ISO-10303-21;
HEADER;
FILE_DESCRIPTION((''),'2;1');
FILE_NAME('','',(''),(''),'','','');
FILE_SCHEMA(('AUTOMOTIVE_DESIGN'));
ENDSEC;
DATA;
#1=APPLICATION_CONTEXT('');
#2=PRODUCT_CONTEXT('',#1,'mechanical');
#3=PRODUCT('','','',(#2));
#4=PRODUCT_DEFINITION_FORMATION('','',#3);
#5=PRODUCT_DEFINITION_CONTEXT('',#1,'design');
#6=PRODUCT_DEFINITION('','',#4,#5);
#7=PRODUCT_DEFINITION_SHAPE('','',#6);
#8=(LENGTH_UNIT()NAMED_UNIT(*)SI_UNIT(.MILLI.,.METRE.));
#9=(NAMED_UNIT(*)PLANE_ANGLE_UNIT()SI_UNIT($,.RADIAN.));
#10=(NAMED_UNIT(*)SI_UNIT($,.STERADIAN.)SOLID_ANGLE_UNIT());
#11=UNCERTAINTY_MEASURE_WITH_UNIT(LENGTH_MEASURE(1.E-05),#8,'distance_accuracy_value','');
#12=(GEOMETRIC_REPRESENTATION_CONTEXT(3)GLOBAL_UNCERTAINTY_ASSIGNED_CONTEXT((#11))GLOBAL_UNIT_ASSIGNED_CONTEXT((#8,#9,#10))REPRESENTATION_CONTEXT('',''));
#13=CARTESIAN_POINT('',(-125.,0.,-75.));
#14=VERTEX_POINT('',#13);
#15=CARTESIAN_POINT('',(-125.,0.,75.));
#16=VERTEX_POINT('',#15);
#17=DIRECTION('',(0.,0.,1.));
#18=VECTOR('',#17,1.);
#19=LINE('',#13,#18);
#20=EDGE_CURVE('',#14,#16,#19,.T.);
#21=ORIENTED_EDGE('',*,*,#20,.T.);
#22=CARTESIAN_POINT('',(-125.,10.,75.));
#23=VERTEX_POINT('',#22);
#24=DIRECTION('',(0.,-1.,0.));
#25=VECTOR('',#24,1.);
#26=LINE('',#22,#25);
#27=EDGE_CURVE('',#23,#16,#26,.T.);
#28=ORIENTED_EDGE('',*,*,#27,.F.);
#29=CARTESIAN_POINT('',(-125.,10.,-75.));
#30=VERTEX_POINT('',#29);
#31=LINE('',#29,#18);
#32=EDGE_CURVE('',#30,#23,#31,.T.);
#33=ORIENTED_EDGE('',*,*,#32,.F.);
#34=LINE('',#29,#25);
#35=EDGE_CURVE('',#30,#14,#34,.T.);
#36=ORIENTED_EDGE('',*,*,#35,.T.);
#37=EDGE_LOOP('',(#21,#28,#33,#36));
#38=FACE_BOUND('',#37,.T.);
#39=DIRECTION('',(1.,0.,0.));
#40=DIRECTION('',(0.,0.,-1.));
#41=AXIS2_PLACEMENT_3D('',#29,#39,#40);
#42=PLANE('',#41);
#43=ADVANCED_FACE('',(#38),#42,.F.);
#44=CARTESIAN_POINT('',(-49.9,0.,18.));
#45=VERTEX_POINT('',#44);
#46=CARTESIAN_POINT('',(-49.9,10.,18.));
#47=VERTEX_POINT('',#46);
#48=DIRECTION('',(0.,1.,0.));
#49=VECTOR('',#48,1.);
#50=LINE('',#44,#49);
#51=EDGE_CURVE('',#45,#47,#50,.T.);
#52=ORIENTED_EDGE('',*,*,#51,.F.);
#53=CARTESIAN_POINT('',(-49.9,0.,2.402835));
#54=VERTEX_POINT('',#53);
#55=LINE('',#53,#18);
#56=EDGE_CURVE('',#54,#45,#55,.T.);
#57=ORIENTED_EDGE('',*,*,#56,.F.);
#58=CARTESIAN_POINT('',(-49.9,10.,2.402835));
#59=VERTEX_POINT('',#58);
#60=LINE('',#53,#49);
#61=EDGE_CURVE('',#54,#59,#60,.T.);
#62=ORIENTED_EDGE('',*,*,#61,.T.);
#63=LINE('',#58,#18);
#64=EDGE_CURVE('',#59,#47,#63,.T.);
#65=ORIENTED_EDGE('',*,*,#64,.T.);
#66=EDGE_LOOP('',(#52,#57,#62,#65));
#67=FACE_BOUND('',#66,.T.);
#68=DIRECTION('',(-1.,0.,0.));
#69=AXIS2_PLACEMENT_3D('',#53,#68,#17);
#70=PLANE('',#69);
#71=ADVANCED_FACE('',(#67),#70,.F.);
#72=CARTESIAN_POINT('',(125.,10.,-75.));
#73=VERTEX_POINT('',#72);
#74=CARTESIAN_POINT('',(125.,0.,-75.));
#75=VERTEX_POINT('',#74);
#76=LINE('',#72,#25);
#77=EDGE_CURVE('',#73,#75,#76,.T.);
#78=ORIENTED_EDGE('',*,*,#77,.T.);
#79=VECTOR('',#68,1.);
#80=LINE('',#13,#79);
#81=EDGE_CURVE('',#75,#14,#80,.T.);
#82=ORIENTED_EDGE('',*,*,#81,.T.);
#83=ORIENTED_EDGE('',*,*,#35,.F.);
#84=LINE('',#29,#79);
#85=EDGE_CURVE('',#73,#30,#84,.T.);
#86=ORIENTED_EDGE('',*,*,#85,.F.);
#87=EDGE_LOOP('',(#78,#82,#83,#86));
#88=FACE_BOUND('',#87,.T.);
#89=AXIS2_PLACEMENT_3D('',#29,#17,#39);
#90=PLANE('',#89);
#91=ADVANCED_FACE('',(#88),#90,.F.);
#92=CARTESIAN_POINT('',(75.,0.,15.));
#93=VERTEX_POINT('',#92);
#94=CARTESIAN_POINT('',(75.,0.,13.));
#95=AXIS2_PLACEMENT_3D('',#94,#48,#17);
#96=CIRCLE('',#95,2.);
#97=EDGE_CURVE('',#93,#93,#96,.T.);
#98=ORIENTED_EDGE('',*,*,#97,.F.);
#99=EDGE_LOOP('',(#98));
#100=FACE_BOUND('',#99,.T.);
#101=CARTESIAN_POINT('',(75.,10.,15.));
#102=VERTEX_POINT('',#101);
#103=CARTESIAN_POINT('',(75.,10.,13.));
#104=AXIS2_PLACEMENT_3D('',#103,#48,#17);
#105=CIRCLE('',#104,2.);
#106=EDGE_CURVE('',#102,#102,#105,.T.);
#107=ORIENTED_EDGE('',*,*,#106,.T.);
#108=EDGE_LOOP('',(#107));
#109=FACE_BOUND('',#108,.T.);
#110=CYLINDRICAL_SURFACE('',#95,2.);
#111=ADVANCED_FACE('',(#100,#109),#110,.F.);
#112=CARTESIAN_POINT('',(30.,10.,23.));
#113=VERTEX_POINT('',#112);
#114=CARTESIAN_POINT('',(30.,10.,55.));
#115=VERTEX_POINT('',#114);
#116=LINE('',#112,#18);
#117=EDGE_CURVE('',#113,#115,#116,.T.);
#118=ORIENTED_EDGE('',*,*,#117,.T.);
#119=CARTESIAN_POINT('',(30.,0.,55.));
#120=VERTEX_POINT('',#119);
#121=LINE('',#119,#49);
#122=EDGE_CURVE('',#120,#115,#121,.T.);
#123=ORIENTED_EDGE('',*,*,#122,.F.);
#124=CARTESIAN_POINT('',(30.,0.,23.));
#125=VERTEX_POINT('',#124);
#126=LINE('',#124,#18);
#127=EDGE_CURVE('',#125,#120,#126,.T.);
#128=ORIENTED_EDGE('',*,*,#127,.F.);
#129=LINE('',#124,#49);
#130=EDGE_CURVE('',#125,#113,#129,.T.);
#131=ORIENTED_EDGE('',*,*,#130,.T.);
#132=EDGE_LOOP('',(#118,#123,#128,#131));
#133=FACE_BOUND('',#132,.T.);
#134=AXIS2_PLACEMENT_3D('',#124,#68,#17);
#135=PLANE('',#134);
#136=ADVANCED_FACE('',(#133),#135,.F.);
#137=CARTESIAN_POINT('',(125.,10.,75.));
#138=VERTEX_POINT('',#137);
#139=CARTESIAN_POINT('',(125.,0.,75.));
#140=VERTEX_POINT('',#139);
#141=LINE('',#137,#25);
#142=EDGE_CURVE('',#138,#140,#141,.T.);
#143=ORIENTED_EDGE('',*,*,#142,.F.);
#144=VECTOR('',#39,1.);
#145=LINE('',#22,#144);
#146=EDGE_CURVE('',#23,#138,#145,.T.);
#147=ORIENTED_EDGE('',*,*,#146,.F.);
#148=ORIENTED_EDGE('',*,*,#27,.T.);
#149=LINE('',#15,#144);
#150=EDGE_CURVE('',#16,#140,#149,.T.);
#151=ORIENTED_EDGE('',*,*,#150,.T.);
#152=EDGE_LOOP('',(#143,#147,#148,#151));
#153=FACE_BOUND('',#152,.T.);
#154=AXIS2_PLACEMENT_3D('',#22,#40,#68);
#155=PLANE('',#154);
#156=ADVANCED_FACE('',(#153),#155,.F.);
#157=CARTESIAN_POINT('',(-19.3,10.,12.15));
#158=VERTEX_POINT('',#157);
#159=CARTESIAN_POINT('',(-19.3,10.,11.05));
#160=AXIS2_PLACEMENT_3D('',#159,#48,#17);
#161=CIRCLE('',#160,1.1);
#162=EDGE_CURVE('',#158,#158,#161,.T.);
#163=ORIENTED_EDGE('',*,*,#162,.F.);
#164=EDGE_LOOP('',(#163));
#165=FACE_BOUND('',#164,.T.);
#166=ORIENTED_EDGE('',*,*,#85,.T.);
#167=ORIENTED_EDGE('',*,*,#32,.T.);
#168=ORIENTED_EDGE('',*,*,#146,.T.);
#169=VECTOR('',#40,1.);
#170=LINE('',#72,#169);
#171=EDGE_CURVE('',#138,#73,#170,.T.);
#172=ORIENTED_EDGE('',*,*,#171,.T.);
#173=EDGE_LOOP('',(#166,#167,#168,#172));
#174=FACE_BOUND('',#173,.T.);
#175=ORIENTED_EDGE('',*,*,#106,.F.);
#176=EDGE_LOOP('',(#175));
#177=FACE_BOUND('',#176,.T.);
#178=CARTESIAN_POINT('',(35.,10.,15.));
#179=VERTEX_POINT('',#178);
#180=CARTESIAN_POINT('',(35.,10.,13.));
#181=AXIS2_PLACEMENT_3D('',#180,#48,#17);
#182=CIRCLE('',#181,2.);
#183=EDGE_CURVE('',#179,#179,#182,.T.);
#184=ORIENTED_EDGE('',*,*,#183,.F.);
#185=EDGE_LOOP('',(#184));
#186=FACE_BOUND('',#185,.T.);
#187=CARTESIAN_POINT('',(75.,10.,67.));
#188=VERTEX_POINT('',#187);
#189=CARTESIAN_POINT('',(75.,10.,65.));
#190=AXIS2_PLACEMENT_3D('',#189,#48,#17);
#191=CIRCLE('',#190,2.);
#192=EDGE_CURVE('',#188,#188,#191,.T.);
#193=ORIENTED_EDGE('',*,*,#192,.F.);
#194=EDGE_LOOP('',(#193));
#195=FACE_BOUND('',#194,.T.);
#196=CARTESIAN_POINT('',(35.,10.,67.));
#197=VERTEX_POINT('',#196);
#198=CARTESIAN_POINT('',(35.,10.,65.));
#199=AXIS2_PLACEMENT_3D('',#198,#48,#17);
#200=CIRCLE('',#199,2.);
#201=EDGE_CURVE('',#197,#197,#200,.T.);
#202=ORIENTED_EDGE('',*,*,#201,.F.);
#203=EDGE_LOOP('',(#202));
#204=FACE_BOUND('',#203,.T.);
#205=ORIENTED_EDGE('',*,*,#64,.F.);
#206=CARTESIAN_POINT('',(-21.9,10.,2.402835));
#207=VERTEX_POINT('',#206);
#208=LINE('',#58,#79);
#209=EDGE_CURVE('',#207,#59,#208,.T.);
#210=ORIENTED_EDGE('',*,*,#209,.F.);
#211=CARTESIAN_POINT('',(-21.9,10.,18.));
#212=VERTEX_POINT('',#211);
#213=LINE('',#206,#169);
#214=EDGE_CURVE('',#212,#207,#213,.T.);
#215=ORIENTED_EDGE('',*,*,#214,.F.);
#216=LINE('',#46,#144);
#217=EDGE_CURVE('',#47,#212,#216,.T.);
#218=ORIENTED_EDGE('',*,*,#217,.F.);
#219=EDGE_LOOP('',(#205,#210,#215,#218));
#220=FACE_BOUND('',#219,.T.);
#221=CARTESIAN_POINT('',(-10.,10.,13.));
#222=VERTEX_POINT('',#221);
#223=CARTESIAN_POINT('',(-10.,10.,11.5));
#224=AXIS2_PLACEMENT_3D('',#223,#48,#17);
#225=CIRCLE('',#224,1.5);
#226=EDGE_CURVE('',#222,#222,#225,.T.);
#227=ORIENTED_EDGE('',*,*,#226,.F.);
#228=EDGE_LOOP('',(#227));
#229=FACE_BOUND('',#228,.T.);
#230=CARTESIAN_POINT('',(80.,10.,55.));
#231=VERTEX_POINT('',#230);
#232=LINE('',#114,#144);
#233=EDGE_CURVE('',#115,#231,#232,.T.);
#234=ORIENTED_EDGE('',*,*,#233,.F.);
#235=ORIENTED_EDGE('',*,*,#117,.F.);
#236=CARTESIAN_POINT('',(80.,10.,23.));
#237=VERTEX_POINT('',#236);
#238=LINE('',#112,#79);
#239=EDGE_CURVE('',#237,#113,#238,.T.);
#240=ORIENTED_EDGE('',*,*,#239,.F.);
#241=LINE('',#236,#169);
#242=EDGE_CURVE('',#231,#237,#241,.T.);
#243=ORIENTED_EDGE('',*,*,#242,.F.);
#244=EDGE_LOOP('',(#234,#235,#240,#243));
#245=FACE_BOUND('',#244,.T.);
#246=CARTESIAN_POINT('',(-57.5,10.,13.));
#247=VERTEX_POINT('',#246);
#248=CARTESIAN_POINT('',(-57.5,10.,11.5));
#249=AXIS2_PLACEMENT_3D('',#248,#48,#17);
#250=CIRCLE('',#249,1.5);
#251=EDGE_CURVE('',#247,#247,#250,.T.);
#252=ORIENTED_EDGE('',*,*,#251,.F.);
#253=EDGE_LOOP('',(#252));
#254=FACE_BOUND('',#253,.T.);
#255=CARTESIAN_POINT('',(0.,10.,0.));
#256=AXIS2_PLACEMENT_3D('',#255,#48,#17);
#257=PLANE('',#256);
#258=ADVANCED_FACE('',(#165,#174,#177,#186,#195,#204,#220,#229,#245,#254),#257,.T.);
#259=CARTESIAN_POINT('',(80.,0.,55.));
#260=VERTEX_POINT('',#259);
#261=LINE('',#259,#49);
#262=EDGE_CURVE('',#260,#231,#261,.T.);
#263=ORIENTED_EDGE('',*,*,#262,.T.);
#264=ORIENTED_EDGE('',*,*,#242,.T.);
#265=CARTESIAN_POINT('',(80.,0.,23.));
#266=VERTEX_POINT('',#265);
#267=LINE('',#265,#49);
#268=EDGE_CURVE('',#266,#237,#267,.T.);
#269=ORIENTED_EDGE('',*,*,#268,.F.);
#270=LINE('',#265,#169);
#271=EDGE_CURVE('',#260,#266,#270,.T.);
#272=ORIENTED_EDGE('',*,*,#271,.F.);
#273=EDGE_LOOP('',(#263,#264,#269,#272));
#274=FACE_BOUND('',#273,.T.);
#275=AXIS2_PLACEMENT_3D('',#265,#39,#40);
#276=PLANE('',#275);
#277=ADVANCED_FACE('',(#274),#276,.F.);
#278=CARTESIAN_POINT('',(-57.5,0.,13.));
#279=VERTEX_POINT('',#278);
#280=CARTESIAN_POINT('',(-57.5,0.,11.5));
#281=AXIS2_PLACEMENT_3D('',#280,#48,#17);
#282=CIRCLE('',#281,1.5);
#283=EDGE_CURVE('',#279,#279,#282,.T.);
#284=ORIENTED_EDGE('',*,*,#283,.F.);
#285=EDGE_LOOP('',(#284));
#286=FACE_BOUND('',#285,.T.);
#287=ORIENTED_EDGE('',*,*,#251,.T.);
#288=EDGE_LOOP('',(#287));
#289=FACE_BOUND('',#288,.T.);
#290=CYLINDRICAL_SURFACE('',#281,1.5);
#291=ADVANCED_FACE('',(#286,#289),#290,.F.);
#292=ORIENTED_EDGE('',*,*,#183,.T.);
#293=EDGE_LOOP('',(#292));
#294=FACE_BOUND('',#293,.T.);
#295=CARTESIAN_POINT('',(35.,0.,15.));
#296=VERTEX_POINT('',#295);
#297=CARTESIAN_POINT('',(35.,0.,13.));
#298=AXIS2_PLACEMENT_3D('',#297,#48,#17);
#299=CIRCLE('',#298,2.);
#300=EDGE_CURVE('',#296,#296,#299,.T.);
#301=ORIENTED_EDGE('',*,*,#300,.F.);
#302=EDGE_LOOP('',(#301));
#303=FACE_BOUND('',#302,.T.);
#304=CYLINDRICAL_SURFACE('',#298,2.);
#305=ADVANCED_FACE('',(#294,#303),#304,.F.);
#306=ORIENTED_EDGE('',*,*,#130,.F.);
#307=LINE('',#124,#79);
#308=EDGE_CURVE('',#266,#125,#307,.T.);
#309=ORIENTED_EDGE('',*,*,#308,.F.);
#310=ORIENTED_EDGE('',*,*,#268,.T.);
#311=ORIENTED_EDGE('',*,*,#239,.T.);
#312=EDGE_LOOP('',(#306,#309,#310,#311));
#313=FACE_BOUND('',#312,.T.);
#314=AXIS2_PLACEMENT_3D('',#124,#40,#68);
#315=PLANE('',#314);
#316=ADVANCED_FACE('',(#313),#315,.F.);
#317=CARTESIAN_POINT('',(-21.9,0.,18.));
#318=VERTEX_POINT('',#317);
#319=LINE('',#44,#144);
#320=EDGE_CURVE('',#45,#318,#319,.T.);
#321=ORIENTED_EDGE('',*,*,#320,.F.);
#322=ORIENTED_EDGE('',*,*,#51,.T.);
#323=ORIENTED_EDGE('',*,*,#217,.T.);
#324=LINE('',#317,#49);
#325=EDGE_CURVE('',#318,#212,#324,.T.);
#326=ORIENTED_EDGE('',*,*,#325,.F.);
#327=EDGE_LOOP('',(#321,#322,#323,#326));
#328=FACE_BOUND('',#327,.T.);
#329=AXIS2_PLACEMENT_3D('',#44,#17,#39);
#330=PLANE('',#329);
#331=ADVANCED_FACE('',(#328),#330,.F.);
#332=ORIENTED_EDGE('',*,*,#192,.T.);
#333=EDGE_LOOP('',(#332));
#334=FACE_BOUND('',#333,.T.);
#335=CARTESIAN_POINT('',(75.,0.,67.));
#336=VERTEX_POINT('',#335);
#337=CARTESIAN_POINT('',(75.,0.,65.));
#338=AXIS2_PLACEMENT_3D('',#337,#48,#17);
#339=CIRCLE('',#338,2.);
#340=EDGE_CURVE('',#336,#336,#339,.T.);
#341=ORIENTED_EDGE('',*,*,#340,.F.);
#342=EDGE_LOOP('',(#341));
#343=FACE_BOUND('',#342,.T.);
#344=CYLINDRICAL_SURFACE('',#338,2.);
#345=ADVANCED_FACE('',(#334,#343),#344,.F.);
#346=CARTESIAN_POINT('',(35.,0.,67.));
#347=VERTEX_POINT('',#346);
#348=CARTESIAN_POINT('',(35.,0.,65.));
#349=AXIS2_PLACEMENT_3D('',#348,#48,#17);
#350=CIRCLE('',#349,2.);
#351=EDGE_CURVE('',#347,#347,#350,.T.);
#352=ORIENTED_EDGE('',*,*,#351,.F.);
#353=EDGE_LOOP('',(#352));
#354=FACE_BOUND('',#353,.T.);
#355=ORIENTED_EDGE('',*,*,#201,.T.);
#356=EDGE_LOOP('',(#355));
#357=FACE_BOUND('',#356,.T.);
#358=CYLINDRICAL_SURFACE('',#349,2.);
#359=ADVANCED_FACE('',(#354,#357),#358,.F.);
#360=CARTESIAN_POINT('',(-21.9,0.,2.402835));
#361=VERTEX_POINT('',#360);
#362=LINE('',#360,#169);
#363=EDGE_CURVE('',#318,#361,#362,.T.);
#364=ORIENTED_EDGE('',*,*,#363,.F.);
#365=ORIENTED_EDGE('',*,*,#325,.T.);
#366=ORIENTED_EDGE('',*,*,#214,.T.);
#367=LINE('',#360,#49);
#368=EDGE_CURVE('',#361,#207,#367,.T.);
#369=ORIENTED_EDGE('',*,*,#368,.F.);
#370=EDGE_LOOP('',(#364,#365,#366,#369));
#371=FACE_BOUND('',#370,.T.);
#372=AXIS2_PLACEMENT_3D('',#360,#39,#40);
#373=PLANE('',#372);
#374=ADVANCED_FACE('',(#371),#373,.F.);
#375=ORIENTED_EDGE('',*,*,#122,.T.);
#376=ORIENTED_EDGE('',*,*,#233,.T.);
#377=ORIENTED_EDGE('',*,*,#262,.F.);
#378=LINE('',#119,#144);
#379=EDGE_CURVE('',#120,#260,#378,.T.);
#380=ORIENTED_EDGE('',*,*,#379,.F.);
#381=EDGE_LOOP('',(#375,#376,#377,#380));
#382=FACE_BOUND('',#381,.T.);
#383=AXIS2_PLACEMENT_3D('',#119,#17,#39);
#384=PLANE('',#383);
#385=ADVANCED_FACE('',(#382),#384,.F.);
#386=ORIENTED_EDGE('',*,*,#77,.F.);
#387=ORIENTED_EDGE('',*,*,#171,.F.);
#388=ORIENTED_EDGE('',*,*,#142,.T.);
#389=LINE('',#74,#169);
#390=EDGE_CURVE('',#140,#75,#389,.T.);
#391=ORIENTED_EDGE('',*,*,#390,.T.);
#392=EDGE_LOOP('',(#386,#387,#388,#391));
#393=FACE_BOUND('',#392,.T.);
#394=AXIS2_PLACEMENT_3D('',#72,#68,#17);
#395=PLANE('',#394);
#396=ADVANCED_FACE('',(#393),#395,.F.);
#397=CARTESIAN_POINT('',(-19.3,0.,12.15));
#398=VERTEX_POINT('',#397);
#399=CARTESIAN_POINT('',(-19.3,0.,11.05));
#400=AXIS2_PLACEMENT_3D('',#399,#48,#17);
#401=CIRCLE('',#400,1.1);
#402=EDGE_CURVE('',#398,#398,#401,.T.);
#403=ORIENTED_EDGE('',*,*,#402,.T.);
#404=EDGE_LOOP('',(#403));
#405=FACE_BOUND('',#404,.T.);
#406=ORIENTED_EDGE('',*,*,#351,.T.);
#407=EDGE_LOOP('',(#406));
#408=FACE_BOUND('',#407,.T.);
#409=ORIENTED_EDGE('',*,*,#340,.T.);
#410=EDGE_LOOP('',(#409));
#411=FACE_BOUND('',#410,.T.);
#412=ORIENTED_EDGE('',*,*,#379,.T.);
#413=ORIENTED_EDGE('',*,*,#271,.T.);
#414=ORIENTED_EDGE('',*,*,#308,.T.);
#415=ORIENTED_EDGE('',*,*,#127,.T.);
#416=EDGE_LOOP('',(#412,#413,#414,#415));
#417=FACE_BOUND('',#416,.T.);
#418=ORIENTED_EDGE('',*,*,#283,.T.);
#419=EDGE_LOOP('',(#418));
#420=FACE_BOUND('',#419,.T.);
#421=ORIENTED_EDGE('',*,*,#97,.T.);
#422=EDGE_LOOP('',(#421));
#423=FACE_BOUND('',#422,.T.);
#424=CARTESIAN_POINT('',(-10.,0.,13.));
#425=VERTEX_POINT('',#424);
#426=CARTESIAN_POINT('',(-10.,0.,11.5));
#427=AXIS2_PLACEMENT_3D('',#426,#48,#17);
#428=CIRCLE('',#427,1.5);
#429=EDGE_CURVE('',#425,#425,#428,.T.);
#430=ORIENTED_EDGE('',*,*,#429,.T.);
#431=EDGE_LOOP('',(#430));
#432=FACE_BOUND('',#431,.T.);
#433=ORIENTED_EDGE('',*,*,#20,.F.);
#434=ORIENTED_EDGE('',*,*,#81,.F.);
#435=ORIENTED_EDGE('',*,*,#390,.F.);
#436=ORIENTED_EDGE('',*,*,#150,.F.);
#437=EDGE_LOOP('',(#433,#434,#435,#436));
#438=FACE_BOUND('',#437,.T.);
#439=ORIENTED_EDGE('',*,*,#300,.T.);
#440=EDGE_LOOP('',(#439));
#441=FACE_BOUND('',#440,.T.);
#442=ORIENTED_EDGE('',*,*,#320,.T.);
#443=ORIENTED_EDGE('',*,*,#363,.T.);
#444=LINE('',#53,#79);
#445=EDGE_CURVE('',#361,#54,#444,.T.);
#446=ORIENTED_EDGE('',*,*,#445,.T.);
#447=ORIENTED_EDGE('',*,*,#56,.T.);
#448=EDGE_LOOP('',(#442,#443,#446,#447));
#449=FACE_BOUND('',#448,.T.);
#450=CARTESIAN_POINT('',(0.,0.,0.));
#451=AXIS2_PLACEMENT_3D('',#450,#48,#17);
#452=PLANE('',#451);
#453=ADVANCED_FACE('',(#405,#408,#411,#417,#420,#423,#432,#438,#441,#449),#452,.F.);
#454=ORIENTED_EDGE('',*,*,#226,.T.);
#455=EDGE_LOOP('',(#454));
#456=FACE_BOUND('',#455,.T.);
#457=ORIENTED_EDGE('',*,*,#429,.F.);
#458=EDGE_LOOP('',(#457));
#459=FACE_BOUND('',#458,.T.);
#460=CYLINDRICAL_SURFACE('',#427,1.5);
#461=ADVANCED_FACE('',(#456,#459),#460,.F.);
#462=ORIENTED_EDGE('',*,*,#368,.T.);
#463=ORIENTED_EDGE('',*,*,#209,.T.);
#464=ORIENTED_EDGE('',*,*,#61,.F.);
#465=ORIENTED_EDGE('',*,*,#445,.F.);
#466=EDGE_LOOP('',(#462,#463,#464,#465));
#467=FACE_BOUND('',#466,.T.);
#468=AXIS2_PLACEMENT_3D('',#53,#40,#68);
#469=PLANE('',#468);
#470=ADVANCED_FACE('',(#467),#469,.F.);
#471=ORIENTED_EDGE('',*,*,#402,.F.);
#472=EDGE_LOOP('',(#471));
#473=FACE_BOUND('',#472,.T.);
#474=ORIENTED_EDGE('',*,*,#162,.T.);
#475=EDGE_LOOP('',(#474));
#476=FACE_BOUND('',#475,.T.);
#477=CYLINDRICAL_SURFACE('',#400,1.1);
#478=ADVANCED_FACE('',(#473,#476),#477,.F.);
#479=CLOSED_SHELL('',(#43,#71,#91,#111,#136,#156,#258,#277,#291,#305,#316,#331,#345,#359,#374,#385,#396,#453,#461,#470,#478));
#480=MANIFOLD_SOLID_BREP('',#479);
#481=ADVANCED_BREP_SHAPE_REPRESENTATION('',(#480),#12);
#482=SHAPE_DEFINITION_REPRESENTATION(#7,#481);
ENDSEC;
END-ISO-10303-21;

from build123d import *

# Parameters (mm, degrees)
SKETCH2_W           = 250
SKETCH2_H           = 150
BOSS_EXTRUDE1_DEPTH = 10
SKETCH3_R           = 2
SKETCH3_W           = 50
SKETCH3_H           = 32
CUT_EXTRUDE1_DEPTH  = 10
SKETCH4_W           = 28
SKETCH4_H           = 15.597165116
CUT_EXTRUDE2_DEPTH  = 10
SKETCH5_R           = 1.5
SKETCH5_R_2         = 1.1
CUT_EXTRUDE3_DEPTH  = 147.116391962


with BuildPart() as part:
    # Sketch2 → Boss-Extrude1 (new body)
    with BuildSketch(Plane(origin=(0, 0, 0), x_dir=(1, 0, 0), z_dir=(0, 1, 0))):
        Rectangle(SKETCH2_W, SKETCH2_H)
    extrude(amount=BOSS_EXTRUDE1_DEPTH)

    # Sketch3 → Cut-Extrude1 (cut)
    with BuildSketch(Plane(origin=(0, 10, 0), x_dir=(1, 0, 0), z_dir=(0, 1, 0))):
        with Locations(Location((35, -13, 0), (0, 0, 270))):
            Circle(SKETCH3_R)
        with Locations(Location((75, -13, 0), (0, 0, 270))):
            Circle(SKETCH3_R)
        with Locations(Location((35, -65, 0), (0, 0, 270))):
            Circle(SKETCH3_R)
        with Locations(Location((75, -65, 0), (0, 0, 270))):
            Circle(SKETCH3_R)
        with Locations((55, -39)):
            Rectangle(SKETCH3_W, SKETCH3_H)
    extrude(amount=-CUT_EXTRUDE1_DEPTH, mode=Mode.SUBTRACT)

    # Sketch4 → Cut-Extrude2 (cut)
    with BuildSketch(Plane(origin=(0, 10, 0), x_dir=(1, 0, 0), z_dir=(0, 1, 0))):
        with Locations((-35.9, -10.201417442)):
            Rectangle(SKETCH4_W, SKETCH4_H)
    extrude(amount=-CUT_EXTRUDE2_DEPTH, mode=Mode.SUBTRACT)

    # Sketch5 → Cut-Extrude3 (cut, through all)
    with BuildSketch(Plane(origin=(0, 10, 0), x_dir=(1, 0, 0), z_dir=(0, 1, 0))):
        with Locations(Location((-10, -11.5, 0), (0, 0, 270))):
            Circle(SKETCH5_R)
        with Locations(Location((-57.5, -11.5, 0), (0, 0, 270))):
            Circle(SKETCH5_R)
        with Locations(Location((-19.3, -11.05, 0), (0, 0, 270))):
            Circle(SKETCH5_R_2)
    extrude(amount=-CUT_EXTRUDE3_DEPTH, mode=Mode.SUBTRACT)


solid = part.part
